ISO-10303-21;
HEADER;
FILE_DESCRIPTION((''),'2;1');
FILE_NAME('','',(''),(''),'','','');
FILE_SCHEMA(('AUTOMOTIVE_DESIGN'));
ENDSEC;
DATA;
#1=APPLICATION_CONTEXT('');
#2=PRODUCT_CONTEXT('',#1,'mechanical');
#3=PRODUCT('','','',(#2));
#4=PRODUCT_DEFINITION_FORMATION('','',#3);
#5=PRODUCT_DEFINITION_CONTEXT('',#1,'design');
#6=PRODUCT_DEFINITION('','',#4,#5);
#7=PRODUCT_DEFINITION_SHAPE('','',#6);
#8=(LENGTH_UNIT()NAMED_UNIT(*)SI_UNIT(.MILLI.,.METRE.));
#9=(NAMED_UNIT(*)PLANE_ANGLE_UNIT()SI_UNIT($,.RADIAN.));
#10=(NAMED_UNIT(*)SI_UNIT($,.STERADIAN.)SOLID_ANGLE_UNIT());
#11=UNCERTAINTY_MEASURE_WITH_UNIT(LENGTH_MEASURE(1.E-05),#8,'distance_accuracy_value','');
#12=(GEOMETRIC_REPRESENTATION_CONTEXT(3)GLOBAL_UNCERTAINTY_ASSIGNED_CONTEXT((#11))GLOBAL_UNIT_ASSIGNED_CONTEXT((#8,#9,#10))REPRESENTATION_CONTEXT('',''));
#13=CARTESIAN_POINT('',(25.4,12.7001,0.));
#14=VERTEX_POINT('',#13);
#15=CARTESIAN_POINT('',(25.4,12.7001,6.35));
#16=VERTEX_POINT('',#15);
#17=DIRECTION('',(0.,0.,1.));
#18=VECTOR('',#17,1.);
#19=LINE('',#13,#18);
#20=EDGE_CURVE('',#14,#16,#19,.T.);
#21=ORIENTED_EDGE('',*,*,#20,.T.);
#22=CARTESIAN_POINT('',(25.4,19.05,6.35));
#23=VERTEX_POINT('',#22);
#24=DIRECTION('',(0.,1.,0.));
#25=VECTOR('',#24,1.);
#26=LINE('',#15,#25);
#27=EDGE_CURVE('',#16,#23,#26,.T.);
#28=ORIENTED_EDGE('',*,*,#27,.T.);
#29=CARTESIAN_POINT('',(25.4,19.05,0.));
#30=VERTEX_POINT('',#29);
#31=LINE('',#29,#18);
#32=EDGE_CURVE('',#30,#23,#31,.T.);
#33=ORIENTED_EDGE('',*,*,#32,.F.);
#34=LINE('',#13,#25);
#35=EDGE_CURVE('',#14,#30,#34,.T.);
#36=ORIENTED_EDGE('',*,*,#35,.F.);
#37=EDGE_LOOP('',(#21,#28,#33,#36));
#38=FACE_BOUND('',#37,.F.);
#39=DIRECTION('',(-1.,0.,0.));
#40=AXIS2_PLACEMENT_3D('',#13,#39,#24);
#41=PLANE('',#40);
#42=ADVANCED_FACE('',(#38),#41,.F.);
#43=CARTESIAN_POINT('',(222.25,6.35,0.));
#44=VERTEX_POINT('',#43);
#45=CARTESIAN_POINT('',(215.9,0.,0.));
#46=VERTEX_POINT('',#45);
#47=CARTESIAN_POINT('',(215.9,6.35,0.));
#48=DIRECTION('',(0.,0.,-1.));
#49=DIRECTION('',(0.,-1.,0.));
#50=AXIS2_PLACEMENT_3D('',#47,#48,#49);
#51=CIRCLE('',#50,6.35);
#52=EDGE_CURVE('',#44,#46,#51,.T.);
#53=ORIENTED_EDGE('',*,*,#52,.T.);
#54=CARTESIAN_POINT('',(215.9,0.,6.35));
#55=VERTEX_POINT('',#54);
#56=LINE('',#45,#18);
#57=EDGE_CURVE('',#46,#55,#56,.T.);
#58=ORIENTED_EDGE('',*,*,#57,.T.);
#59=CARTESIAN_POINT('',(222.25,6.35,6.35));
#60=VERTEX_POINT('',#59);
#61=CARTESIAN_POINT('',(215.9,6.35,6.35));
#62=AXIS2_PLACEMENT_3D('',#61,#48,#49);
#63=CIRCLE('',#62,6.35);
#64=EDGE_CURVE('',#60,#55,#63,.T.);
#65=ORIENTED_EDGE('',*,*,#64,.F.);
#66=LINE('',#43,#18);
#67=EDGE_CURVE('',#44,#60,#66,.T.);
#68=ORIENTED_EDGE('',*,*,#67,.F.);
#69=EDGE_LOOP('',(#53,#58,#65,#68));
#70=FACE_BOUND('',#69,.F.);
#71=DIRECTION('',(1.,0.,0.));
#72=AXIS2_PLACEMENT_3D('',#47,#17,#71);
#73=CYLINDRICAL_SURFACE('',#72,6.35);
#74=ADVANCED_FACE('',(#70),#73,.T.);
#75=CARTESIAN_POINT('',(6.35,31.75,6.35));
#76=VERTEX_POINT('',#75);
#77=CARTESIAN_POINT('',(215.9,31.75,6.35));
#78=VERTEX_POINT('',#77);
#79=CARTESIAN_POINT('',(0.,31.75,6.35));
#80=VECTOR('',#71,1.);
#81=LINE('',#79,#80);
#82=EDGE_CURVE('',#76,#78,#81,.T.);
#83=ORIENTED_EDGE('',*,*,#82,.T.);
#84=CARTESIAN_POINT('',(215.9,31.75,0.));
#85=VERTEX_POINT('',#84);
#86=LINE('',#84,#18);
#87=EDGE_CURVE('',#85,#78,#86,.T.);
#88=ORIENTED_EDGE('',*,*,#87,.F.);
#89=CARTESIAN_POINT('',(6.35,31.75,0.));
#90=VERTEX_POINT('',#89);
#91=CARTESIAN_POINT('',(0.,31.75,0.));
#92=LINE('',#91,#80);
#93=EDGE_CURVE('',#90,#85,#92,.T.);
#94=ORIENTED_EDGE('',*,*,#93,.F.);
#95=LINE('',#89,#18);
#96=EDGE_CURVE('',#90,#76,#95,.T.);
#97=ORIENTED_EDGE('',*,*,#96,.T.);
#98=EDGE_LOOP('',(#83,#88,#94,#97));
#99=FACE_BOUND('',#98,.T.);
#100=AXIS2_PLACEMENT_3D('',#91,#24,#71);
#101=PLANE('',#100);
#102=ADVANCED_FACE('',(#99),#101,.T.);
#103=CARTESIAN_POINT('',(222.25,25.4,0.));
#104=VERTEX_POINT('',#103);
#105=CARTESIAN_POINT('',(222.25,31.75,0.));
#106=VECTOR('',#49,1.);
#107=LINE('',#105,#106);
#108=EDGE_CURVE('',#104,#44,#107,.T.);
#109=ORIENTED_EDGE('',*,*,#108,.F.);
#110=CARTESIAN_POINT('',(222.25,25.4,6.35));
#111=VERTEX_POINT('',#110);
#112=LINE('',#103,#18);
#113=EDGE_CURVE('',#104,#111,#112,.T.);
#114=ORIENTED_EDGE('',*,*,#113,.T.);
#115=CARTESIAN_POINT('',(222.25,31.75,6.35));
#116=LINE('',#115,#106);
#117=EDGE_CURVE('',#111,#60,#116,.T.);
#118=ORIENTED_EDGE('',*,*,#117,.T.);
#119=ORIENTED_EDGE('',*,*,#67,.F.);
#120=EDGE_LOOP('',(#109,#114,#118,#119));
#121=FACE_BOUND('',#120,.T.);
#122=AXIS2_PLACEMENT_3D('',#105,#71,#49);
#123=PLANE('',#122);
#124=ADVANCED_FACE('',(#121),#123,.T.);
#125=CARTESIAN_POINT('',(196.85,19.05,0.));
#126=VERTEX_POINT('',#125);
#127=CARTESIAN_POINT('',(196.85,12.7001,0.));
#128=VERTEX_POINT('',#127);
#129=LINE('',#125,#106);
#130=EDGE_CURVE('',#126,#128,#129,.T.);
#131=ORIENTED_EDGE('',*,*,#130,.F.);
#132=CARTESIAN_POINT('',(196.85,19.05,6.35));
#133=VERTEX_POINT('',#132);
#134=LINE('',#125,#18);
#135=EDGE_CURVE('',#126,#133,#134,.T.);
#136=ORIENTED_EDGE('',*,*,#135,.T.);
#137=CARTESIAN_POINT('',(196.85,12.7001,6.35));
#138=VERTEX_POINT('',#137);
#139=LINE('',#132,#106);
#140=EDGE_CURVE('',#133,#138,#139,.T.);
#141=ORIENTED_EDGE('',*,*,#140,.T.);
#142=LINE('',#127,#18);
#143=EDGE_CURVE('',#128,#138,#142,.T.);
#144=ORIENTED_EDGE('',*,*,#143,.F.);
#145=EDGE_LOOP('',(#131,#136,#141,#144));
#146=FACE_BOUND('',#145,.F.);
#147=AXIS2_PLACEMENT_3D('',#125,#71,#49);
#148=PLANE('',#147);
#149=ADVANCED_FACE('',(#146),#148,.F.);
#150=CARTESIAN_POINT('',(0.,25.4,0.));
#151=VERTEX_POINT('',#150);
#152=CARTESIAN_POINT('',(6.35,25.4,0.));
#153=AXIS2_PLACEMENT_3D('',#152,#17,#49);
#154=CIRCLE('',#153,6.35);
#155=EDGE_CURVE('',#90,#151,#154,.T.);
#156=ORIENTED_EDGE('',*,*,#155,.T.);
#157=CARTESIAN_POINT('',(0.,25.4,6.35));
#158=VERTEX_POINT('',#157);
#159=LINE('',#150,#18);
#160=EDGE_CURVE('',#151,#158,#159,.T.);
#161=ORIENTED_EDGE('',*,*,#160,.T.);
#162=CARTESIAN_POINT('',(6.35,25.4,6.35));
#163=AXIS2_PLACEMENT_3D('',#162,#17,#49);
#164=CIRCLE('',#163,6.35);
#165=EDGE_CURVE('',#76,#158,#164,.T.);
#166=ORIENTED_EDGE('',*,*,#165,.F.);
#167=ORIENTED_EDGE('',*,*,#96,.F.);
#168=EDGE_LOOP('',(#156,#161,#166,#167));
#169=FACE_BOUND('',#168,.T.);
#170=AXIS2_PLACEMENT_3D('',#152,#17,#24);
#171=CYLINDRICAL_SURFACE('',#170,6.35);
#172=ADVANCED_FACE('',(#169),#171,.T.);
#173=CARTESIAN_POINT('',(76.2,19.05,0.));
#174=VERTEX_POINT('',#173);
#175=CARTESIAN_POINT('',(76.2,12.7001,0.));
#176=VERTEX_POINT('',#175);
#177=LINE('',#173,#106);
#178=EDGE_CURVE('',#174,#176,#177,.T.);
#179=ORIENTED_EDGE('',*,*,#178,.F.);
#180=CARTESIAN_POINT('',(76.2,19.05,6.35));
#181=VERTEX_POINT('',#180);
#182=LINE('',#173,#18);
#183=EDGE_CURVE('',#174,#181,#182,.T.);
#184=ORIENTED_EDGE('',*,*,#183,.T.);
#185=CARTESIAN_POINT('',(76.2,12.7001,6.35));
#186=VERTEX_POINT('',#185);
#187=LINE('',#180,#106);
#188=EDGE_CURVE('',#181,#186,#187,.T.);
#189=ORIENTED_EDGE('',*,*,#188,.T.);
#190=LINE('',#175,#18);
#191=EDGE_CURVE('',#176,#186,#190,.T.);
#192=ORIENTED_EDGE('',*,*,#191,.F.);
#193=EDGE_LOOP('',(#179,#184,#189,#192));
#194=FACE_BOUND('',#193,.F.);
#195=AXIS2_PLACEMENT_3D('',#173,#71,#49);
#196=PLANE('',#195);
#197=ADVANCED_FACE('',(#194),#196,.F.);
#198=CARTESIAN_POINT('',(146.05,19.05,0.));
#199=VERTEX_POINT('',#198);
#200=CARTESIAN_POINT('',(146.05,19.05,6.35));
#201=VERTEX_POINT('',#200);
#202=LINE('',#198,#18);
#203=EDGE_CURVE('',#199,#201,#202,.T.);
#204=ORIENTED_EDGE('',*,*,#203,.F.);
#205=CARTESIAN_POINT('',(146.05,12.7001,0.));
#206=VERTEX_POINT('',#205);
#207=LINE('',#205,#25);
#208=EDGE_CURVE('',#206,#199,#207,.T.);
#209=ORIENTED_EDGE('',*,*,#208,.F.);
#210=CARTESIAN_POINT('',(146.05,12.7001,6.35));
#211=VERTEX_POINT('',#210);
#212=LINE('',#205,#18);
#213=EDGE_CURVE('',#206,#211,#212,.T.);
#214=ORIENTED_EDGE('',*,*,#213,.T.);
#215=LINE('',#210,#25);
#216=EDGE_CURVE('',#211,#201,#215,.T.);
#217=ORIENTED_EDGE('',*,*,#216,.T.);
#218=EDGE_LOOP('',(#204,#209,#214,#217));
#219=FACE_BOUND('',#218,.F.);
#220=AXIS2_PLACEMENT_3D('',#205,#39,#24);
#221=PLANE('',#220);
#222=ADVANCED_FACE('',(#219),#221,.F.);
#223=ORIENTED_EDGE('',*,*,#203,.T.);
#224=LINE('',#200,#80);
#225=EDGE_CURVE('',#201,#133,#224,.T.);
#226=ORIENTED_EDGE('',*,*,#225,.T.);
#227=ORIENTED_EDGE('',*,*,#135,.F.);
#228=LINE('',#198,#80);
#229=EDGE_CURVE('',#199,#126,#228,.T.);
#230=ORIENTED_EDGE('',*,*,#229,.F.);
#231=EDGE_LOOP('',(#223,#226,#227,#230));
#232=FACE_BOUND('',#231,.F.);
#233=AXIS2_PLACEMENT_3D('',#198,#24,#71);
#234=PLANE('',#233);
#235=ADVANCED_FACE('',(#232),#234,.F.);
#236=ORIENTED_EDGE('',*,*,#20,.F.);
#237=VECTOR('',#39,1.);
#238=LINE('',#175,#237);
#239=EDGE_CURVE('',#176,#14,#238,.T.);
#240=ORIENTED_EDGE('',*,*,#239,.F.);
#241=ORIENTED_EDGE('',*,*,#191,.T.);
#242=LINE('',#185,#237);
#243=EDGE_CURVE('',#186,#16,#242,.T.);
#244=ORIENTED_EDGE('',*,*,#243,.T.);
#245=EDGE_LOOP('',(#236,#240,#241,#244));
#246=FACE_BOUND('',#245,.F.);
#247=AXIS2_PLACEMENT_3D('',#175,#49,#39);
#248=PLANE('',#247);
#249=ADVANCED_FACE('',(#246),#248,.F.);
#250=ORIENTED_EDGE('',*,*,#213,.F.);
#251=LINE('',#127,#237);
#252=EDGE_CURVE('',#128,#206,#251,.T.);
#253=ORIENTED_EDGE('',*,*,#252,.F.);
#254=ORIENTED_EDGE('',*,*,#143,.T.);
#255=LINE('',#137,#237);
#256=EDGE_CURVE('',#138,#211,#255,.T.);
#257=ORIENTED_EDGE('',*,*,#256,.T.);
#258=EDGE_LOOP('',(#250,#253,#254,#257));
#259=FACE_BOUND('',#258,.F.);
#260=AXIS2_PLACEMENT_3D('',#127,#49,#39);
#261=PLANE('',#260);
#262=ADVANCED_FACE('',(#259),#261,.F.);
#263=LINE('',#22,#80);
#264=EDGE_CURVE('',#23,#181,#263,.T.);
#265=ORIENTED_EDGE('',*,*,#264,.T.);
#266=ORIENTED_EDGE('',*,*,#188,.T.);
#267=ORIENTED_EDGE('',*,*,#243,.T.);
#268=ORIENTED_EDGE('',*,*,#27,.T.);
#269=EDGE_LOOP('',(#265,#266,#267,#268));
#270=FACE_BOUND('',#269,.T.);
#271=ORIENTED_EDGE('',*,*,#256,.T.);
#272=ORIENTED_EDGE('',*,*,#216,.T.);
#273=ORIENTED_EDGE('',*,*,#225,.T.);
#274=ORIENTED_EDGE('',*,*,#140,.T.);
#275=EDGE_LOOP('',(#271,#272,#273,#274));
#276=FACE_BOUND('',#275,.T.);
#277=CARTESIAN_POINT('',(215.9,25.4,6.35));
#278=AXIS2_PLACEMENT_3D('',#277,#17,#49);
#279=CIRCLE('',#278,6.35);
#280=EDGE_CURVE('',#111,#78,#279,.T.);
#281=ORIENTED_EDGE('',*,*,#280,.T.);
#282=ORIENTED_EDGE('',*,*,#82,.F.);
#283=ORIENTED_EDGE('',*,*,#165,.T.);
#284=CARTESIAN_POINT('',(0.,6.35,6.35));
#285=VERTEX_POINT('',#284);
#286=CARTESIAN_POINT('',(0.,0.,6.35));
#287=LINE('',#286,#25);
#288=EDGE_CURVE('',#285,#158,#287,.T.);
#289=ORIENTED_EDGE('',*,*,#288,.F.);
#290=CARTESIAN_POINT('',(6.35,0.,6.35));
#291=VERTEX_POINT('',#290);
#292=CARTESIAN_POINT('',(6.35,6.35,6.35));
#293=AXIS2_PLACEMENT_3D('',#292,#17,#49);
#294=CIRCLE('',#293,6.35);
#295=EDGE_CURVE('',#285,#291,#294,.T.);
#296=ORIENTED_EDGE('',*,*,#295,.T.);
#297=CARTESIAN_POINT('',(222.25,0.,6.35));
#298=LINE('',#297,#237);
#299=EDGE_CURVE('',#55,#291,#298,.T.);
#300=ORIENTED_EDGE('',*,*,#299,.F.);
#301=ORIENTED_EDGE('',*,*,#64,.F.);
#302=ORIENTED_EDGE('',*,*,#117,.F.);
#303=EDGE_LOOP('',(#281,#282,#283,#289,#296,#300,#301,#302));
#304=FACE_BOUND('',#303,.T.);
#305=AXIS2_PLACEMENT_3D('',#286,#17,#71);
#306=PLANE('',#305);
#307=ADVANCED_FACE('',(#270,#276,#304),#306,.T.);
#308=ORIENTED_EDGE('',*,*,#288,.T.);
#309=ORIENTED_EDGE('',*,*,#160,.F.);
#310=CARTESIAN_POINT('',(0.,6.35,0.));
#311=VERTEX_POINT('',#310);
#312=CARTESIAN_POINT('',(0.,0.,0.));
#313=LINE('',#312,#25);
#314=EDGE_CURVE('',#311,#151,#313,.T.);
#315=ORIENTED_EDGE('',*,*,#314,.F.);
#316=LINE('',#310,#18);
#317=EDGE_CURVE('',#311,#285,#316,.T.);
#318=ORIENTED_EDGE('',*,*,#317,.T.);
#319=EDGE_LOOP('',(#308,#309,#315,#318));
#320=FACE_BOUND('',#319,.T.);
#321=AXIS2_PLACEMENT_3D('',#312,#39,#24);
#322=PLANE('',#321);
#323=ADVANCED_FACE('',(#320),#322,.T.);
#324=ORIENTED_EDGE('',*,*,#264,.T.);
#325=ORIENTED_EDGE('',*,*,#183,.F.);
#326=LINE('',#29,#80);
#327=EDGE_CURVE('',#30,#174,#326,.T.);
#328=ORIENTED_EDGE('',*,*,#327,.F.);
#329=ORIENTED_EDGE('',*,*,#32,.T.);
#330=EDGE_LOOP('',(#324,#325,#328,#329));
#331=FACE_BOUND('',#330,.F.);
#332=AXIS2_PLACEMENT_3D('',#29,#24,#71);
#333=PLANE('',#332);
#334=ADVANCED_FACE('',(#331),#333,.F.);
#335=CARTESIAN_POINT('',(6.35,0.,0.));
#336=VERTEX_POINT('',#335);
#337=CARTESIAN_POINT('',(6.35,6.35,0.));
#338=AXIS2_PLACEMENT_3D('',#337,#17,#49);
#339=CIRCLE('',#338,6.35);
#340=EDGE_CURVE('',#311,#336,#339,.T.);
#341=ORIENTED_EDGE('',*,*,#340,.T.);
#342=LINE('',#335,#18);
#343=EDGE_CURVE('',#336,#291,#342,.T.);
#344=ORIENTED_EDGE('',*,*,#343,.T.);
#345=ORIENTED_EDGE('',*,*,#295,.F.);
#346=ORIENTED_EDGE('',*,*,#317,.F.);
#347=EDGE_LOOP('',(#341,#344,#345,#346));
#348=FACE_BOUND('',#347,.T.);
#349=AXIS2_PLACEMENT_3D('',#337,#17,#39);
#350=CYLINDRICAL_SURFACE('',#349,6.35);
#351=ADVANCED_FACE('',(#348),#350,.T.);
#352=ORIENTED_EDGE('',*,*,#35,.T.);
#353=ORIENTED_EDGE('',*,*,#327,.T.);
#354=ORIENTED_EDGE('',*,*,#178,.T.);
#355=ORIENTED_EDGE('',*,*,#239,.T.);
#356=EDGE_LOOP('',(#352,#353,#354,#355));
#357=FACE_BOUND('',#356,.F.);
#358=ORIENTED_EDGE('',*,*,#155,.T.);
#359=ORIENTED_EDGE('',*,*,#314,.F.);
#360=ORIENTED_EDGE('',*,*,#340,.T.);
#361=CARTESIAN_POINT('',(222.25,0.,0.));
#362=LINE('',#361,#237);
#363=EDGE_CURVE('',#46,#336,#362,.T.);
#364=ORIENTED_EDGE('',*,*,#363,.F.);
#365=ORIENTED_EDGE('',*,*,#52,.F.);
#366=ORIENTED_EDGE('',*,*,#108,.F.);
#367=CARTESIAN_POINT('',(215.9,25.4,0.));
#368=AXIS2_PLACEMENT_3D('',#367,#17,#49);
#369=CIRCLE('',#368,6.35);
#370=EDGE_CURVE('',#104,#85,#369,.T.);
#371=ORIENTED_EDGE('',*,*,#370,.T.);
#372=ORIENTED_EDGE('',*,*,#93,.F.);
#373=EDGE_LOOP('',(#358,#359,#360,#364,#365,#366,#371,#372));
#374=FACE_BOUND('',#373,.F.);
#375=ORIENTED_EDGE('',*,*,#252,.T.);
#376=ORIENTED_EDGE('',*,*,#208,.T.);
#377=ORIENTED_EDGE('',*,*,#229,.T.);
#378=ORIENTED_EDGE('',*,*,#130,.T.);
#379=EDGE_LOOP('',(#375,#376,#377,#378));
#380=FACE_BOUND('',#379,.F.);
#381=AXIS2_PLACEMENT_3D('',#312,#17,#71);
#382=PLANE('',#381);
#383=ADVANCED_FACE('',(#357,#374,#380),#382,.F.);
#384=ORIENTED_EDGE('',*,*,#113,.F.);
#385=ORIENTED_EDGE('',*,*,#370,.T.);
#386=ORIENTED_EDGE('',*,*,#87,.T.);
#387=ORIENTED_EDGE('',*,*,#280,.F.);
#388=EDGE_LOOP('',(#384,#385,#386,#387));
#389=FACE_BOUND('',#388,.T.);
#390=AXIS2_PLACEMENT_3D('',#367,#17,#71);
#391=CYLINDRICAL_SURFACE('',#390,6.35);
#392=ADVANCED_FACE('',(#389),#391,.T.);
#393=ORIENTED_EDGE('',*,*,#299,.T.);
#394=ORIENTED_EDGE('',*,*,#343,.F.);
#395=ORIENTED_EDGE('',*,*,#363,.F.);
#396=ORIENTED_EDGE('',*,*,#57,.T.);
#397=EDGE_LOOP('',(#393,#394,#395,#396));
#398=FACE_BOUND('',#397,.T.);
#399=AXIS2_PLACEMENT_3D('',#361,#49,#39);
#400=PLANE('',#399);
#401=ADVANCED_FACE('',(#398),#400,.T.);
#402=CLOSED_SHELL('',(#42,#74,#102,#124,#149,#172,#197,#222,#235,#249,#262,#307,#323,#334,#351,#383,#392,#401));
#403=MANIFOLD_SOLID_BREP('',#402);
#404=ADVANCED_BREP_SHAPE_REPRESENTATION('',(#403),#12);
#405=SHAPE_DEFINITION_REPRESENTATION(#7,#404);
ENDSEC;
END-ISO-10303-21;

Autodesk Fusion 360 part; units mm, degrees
sketch "Base" plane through (0, 0, 0) normal (0, 0, 1) x (1, 0, 0)
  line L0 (0, 0) -> (0, 31.75)
  line L1 (222.25, 0) -> (0, 0)
  line L2 (222.25, 31.75) -> (222.25, 0)
  line L3 (0, 31.75) -> (222.25, 31.75)
  line L4 (76.2, 12.7001) -> (25.4, 12.7001)
  line L5 (25.4, 19.05) -> (76.2, 19.05)
  line L6 (76.2, 19.05) -> (76.2, 12.7001)
  line L7 (25.4, 12.7001) -> (25.4, 19.05)
  line L8 (196.85, 19.05) -> (196.85, 12.7001)
  line L9 (146.05, 19.05) -> (196.85, 19.05)
  line L10 (146.05, 12.7001) -> (146.05, 19.05)
  line L11 (196.85, 12.7001) -> (146.05, 12.7001)
extrude "Extrude1" add sketch "Base" along normal blind 6.35
fillet "Fillet1" radius 6.35 1 edges at (222.25, 0, 3.175)
fillet "Fillet2" radius 6.35 1 edges at (222.25, 31.75, 3.175)
fillet "Fillet3" radius 6.35 1 edges at (0, 31.75, 3.175)
fillet "Fillet4" radius 6.35 1 edges at (0, 0, 3.175)
